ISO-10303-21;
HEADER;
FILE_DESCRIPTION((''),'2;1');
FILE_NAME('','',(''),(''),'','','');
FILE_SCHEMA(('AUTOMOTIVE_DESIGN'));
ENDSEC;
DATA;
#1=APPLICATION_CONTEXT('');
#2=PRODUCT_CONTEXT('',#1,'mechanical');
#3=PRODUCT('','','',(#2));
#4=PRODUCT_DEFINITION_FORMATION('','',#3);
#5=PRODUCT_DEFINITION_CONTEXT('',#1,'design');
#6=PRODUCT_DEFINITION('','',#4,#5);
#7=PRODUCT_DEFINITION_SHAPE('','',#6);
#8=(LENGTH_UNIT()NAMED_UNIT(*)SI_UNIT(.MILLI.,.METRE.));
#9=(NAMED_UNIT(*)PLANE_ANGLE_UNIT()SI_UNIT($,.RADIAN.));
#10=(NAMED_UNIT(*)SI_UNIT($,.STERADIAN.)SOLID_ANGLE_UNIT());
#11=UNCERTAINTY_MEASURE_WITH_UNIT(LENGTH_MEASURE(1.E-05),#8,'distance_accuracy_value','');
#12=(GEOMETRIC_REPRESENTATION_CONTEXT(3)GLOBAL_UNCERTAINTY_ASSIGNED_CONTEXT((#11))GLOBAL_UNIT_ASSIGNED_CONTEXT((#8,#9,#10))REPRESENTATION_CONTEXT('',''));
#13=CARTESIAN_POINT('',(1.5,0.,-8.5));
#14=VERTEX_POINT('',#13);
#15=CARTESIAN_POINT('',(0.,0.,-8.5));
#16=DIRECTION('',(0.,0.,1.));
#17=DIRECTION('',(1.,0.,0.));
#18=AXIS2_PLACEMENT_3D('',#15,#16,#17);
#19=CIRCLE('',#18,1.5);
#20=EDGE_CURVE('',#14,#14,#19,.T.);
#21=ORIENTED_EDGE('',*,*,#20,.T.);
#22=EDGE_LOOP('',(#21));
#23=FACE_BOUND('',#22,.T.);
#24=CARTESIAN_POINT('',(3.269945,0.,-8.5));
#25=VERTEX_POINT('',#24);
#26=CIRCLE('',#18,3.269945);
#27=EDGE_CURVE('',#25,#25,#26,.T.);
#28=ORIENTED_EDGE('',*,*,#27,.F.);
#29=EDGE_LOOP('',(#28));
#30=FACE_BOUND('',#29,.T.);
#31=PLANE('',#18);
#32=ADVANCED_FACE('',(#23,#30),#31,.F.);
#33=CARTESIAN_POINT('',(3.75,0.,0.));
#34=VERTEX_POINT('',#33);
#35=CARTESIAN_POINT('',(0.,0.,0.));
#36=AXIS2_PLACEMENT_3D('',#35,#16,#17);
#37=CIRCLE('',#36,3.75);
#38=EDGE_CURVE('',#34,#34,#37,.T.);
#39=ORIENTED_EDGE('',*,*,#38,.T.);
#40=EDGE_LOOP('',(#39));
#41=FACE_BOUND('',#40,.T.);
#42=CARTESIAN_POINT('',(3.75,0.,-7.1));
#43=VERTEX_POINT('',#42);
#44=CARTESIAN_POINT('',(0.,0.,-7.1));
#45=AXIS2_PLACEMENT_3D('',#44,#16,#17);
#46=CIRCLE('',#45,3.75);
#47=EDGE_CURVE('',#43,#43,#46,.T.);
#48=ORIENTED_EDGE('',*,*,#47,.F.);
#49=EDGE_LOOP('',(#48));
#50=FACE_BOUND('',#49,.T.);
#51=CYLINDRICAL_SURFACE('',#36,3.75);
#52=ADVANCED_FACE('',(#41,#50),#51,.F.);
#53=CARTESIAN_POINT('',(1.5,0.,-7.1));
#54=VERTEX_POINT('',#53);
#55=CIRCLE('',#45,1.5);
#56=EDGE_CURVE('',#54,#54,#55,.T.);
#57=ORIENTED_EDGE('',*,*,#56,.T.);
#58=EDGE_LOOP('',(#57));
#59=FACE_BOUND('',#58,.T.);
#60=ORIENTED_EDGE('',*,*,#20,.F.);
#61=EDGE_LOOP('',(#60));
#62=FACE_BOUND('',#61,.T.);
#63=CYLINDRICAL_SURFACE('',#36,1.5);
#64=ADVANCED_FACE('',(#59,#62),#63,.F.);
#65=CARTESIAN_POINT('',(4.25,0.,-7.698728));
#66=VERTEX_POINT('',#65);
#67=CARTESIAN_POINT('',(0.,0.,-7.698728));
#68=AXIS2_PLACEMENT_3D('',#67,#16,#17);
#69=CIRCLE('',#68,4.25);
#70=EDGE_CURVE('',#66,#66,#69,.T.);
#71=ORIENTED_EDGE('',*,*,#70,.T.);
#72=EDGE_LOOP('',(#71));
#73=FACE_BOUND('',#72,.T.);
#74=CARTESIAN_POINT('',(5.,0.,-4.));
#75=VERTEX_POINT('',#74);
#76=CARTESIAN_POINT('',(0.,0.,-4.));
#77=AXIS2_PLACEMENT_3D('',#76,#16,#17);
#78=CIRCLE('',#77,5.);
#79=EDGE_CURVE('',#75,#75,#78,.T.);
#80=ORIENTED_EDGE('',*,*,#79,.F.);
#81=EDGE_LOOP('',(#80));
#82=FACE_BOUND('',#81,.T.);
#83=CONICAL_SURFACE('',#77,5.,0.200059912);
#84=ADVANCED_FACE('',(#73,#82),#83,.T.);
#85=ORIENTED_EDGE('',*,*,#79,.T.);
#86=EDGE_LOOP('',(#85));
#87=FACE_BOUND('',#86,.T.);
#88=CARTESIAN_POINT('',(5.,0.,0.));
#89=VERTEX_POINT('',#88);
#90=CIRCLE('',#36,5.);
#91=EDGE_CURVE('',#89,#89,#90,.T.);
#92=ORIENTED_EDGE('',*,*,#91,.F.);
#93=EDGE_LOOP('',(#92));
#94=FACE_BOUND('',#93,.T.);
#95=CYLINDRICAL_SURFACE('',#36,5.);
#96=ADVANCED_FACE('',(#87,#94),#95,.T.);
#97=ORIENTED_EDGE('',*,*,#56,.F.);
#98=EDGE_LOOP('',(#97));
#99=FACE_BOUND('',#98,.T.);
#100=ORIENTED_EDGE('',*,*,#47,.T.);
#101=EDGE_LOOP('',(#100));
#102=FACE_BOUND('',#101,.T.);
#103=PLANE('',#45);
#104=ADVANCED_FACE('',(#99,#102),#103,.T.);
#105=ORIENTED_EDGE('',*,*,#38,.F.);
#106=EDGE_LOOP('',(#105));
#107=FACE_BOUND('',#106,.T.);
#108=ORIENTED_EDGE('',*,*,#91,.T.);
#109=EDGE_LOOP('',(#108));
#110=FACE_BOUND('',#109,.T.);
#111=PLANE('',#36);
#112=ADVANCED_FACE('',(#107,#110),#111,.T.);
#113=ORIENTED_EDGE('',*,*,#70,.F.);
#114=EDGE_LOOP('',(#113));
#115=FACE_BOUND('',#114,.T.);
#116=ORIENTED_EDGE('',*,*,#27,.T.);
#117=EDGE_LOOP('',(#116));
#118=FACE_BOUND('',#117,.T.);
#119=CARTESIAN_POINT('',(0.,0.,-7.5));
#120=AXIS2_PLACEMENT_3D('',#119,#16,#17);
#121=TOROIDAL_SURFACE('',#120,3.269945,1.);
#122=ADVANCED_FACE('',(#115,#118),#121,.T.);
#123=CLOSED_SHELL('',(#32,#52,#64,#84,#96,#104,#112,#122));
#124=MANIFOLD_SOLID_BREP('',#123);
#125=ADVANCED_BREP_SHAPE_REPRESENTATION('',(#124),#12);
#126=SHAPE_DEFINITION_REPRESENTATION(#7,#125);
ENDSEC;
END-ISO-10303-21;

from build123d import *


with BuildPart() as part:
    # Эскиз1 → Повернуть1 (revolve)
    with BuildSketch(Plane(origin=(0, 0, 0), x_dir=(1, 0, 0), z_dir=(0, 1, 0))):
        with BuildLine():
            Line((5, 0), (5, 4))
            Line((5, 4), (4.25, 7.698728048))
            ThreePointArc((4.25, 7.698728048), (3.902903442, 8.27418604), (3.269945327, 8.5))
            Line((3.269945327, 8.5), (1.5, 8.5))
            Line((1.5, 8.5), (1.5, 7.1))
            Line((1.5, 7.1), (3.75, 7.1))
            Line((3.75, 7.1), (3.75, 0))
            Line((3.75, 0), (5, 0))
        make_face()
    revolve(axis=Axis((0, 0, 0), (0, 0, -1)))


solid = part.part
